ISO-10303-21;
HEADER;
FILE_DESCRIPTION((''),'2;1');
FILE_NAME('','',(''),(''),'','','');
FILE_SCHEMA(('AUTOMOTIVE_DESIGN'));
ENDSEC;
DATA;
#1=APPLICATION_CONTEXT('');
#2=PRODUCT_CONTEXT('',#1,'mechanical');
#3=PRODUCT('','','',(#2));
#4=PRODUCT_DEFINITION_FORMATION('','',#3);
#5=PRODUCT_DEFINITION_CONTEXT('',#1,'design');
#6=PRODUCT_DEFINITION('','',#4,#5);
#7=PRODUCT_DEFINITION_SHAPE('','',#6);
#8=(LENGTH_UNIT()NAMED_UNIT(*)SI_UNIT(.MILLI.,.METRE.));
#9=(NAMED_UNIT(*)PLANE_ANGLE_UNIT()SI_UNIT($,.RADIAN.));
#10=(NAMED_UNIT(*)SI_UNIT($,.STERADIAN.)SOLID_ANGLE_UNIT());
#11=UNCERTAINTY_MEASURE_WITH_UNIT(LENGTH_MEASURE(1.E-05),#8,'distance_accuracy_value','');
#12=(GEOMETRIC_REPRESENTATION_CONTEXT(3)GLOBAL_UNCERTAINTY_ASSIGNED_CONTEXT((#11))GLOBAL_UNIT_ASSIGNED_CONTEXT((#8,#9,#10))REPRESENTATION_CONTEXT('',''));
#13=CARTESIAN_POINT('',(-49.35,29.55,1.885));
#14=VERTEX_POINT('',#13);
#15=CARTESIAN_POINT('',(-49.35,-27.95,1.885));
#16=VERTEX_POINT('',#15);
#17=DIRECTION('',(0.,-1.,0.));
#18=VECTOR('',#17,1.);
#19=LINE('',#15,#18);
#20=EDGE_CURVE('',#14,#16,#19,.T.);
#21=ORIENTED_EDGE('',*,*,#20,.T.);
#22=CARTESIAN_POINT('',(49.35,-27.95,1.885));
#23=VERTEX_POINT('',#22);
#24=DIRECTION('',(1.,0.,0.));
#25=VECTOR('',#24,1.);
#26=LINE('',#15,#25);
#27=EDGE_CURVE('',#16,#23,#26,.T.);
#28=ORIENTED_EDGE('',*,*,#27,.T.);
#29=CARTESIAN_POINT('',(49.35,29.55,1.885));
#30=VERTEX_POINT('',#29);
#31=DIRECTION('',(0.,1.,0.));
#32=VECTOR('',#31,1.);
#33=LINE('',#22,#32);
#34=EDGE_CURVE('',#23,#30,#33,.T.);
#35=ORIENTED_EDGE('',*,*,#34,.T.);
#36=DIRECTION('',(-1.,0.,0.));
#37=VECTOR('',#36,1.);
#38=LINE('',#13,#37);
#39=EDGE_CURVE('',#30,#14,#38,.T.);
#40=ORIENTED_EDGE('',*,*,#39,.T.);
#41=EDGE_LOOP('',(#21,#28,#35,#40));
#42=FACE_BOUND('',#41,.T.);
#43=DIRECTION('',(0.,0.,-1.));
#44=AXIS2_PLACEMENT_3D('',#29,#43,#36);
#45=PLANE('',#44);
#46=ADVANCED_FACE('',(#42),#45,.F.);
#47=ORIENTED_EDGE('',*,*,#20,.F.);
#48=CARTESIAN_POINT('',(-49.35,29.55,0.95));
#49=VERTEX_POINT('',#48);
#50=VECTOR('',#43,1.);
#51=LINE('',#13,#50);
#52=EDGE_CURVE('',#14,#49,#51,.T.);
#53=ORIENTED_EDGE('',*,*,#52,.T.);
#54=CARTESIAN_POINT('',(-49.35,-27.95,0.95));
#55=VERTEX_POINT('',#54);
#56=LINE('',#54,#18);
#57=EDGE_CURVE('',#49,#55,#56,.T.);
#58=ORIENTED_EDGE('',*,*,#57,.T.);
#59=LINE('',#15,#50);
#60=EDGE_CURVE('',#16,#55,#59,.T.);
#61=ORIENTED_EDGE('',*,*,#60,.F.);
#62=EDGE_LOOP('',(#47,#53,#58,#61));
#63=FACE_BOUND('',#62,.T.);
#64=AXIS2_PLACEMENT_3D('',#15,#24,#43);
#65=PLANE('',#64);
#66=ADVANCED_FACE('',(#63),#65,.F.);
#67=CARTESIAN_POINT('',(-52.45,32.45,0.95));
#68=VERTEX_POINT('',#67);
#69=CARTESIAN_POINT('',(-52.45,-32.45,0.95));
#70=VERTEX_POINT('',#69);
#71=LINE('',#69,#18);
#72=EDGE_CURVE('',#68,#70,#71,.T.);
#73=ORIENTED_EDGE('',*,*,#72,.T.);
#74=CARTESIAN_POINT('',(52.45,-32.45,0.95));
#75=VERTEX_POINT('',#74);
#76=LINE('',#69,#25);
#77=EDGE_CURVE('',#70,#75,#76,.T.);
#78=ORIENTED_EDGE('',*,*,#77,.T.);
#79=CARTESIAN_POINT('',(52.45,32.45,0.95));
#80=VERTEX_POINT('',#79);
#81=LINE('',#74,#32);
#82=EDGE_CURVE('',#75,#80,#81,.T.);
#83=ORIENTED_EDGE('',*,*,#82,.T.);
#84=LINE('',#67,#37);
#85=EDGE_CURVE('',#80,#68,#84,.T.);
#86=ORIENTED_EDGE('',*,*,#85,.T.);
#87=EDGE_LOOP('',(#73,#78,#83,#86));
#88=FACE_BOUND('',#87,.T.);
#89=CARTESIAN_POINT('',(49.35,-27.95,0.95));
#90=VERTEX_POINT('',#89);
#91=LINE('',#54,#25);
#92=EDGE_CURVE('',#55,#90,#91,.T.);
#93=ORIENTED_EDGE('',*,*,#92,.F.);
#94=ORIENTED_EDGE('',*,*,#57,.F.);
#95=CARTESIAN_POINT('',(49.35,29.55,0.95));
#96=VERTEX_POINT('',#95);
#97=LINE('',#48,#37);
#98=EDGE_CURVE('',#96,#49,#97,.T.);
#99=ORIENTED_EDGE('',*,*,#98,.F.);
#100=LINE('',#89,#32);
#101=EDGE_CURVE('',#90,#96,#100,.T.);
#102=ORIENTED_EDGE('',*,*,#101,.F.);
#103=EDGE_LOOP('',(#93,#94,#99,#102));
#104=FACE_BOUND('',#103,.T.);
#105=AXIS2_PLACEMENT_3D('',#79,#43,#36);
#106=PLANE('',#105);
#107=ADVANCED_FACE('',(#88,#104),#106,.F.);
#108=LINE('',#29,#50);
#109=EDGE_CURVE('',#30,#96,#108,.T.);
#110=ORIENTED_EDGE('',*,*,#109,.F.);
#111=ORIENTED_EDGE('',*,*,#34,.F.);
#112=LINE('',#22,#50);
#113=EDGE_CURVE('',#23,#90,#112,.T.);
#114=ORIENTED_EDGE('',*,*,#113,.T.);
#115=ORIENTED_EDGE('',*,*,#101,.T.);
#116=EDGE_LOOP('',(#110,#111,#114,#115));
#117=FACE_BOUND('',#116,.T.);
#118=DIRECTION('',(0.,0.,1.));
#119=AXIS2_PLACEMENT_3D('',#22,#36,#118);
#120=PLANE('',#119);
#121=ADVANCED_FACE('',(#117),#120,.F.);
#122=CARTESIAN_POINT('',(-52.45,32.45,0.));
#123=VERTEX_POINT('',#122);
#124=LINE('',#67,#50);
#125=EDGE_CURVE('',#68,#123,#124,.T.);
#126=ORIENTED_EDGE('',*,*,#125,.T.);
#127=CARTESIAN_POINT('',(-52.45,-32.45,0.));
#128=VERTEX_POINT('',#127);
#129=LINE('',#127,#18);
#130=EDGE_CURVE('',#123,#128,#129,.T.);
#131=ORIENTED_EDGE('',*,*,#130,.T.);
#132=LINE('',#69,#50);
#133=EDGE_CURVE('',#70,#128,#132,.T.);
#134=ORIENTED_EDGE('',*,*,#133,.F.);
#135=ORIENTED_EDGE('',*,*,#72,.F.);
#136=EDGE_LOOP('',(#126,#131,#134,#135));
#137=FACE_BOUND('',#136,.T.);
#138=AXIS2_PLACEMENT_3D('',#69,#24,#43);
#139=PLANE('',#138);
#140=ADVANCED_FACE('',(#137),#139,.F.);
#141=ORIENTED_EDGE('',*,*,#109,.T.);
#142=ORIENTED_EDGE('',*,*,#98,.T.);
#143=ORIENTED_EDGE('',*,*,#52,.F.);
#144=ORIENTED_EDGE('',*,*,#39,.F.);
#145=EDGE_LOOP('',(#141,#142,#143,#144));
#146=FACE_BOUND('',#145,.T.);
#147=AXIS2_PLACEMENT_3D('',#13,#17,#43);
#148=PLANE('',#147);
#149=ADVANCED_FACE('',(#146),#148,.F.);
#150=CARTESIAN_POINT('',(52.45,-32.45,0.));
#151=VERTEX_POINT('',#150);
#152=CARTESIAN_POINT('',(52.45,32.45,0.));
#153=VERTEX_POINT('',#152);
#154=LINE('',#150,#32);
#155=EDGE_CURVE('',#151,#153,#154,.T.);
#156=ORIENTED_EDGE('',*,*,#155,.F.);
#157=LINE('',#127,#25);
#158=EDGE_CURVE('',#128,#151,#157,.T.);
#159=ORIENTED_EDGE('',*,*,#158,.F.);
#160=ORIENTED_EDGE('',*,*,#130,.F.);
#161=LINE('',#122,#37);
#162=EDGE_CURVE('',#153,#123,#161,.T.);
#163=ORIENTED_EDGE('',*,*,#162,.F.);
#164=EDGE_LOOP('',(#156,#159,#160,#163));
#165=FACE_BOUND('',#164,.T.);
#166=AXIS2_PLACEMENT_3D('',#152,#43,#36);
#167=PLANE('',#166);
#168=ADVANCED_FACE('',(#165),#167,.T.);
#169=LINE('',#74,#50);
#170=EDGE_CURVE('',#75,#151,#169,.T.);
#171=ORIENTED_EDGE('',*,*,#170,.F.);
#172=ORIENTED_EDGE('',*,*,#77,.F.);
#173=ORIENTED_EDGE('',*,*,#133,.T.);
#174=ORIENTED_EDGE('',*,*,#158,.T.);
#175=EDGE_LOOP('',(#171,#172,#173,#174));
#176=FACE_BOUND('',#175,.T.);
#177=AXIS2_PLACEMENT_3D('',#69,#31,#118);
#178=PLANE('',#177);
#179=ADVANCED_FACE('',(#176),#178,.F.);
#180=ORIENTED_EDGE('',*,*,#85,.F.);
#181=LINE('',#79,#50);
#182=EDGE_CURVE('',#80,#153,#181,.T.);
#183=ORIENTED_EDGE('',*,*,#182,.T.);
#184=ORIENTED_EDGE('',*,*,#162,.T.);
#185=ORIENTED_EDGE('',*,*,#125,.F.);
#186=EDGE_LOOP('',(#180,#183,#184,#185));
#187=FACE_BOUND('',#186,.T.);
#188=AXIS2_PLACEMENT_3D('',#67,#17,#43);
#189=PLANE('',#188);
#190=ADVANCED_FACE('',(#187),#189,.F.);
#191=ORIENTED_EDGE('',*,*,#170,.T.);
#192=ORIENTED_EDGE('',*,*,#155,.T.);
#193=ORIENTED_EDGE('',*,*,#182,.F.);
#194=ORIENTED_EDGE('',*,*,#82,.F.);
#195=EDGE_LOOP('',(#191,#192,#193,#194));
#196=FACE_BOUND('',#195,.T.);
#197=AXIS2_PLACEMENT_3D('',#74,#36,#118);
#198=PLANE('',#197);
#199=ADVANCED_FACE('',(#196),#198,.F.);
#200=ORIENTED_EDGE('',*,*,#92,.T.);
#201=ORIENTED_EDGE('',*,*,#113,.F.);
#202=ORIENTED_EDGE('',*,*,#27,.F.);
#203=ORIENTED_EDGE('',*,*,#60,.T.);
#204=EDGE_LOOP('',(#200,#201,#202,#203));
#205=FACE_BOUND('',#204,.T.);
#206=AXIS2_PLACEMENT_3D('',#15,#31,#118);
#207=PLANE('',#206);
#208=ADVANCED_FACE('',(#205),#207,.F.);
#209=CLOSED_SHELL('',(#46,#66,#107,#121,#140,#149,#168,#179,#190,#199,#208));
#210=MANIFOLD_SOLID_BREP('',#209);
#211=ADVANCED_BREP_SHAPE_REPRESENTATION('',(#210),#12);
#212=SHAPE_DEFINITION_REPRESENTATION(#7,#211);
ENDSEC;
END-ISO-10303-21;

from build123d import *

# Parameters (mm, degrees)
SKETCH1_W           = 104.9
SKETCH1_H           = 64.9
BOSS_EXTRUDE1_DEPTH = 0.95
SKETCH2_W           = 98.7
SKETCH2_H           = 57.5
BOSS_EXTRUDE2_DEPTH = 0.935


with BuildPart() as part:
    # Sketch1 → Boss-Extrude1 (new body)
    with BuildSketch(Plane.XY):
        Rectangle(SKETCH1_W, SKETCH1_H)
    extrude(amount=BOSS_EXTRUDE1_DEPTH)

    # Sketch2 → Boss-Extrude2 (add)
    with BuildSketch(Plane.XY.offset(0.95)):
        with Locations((0, 0.8)):
            Rectangle(SKETCH2_W, SKETCH2_H)
    extrude(amount=BOSS_EXTRUDE2_DEPTH)


solid = part.part
